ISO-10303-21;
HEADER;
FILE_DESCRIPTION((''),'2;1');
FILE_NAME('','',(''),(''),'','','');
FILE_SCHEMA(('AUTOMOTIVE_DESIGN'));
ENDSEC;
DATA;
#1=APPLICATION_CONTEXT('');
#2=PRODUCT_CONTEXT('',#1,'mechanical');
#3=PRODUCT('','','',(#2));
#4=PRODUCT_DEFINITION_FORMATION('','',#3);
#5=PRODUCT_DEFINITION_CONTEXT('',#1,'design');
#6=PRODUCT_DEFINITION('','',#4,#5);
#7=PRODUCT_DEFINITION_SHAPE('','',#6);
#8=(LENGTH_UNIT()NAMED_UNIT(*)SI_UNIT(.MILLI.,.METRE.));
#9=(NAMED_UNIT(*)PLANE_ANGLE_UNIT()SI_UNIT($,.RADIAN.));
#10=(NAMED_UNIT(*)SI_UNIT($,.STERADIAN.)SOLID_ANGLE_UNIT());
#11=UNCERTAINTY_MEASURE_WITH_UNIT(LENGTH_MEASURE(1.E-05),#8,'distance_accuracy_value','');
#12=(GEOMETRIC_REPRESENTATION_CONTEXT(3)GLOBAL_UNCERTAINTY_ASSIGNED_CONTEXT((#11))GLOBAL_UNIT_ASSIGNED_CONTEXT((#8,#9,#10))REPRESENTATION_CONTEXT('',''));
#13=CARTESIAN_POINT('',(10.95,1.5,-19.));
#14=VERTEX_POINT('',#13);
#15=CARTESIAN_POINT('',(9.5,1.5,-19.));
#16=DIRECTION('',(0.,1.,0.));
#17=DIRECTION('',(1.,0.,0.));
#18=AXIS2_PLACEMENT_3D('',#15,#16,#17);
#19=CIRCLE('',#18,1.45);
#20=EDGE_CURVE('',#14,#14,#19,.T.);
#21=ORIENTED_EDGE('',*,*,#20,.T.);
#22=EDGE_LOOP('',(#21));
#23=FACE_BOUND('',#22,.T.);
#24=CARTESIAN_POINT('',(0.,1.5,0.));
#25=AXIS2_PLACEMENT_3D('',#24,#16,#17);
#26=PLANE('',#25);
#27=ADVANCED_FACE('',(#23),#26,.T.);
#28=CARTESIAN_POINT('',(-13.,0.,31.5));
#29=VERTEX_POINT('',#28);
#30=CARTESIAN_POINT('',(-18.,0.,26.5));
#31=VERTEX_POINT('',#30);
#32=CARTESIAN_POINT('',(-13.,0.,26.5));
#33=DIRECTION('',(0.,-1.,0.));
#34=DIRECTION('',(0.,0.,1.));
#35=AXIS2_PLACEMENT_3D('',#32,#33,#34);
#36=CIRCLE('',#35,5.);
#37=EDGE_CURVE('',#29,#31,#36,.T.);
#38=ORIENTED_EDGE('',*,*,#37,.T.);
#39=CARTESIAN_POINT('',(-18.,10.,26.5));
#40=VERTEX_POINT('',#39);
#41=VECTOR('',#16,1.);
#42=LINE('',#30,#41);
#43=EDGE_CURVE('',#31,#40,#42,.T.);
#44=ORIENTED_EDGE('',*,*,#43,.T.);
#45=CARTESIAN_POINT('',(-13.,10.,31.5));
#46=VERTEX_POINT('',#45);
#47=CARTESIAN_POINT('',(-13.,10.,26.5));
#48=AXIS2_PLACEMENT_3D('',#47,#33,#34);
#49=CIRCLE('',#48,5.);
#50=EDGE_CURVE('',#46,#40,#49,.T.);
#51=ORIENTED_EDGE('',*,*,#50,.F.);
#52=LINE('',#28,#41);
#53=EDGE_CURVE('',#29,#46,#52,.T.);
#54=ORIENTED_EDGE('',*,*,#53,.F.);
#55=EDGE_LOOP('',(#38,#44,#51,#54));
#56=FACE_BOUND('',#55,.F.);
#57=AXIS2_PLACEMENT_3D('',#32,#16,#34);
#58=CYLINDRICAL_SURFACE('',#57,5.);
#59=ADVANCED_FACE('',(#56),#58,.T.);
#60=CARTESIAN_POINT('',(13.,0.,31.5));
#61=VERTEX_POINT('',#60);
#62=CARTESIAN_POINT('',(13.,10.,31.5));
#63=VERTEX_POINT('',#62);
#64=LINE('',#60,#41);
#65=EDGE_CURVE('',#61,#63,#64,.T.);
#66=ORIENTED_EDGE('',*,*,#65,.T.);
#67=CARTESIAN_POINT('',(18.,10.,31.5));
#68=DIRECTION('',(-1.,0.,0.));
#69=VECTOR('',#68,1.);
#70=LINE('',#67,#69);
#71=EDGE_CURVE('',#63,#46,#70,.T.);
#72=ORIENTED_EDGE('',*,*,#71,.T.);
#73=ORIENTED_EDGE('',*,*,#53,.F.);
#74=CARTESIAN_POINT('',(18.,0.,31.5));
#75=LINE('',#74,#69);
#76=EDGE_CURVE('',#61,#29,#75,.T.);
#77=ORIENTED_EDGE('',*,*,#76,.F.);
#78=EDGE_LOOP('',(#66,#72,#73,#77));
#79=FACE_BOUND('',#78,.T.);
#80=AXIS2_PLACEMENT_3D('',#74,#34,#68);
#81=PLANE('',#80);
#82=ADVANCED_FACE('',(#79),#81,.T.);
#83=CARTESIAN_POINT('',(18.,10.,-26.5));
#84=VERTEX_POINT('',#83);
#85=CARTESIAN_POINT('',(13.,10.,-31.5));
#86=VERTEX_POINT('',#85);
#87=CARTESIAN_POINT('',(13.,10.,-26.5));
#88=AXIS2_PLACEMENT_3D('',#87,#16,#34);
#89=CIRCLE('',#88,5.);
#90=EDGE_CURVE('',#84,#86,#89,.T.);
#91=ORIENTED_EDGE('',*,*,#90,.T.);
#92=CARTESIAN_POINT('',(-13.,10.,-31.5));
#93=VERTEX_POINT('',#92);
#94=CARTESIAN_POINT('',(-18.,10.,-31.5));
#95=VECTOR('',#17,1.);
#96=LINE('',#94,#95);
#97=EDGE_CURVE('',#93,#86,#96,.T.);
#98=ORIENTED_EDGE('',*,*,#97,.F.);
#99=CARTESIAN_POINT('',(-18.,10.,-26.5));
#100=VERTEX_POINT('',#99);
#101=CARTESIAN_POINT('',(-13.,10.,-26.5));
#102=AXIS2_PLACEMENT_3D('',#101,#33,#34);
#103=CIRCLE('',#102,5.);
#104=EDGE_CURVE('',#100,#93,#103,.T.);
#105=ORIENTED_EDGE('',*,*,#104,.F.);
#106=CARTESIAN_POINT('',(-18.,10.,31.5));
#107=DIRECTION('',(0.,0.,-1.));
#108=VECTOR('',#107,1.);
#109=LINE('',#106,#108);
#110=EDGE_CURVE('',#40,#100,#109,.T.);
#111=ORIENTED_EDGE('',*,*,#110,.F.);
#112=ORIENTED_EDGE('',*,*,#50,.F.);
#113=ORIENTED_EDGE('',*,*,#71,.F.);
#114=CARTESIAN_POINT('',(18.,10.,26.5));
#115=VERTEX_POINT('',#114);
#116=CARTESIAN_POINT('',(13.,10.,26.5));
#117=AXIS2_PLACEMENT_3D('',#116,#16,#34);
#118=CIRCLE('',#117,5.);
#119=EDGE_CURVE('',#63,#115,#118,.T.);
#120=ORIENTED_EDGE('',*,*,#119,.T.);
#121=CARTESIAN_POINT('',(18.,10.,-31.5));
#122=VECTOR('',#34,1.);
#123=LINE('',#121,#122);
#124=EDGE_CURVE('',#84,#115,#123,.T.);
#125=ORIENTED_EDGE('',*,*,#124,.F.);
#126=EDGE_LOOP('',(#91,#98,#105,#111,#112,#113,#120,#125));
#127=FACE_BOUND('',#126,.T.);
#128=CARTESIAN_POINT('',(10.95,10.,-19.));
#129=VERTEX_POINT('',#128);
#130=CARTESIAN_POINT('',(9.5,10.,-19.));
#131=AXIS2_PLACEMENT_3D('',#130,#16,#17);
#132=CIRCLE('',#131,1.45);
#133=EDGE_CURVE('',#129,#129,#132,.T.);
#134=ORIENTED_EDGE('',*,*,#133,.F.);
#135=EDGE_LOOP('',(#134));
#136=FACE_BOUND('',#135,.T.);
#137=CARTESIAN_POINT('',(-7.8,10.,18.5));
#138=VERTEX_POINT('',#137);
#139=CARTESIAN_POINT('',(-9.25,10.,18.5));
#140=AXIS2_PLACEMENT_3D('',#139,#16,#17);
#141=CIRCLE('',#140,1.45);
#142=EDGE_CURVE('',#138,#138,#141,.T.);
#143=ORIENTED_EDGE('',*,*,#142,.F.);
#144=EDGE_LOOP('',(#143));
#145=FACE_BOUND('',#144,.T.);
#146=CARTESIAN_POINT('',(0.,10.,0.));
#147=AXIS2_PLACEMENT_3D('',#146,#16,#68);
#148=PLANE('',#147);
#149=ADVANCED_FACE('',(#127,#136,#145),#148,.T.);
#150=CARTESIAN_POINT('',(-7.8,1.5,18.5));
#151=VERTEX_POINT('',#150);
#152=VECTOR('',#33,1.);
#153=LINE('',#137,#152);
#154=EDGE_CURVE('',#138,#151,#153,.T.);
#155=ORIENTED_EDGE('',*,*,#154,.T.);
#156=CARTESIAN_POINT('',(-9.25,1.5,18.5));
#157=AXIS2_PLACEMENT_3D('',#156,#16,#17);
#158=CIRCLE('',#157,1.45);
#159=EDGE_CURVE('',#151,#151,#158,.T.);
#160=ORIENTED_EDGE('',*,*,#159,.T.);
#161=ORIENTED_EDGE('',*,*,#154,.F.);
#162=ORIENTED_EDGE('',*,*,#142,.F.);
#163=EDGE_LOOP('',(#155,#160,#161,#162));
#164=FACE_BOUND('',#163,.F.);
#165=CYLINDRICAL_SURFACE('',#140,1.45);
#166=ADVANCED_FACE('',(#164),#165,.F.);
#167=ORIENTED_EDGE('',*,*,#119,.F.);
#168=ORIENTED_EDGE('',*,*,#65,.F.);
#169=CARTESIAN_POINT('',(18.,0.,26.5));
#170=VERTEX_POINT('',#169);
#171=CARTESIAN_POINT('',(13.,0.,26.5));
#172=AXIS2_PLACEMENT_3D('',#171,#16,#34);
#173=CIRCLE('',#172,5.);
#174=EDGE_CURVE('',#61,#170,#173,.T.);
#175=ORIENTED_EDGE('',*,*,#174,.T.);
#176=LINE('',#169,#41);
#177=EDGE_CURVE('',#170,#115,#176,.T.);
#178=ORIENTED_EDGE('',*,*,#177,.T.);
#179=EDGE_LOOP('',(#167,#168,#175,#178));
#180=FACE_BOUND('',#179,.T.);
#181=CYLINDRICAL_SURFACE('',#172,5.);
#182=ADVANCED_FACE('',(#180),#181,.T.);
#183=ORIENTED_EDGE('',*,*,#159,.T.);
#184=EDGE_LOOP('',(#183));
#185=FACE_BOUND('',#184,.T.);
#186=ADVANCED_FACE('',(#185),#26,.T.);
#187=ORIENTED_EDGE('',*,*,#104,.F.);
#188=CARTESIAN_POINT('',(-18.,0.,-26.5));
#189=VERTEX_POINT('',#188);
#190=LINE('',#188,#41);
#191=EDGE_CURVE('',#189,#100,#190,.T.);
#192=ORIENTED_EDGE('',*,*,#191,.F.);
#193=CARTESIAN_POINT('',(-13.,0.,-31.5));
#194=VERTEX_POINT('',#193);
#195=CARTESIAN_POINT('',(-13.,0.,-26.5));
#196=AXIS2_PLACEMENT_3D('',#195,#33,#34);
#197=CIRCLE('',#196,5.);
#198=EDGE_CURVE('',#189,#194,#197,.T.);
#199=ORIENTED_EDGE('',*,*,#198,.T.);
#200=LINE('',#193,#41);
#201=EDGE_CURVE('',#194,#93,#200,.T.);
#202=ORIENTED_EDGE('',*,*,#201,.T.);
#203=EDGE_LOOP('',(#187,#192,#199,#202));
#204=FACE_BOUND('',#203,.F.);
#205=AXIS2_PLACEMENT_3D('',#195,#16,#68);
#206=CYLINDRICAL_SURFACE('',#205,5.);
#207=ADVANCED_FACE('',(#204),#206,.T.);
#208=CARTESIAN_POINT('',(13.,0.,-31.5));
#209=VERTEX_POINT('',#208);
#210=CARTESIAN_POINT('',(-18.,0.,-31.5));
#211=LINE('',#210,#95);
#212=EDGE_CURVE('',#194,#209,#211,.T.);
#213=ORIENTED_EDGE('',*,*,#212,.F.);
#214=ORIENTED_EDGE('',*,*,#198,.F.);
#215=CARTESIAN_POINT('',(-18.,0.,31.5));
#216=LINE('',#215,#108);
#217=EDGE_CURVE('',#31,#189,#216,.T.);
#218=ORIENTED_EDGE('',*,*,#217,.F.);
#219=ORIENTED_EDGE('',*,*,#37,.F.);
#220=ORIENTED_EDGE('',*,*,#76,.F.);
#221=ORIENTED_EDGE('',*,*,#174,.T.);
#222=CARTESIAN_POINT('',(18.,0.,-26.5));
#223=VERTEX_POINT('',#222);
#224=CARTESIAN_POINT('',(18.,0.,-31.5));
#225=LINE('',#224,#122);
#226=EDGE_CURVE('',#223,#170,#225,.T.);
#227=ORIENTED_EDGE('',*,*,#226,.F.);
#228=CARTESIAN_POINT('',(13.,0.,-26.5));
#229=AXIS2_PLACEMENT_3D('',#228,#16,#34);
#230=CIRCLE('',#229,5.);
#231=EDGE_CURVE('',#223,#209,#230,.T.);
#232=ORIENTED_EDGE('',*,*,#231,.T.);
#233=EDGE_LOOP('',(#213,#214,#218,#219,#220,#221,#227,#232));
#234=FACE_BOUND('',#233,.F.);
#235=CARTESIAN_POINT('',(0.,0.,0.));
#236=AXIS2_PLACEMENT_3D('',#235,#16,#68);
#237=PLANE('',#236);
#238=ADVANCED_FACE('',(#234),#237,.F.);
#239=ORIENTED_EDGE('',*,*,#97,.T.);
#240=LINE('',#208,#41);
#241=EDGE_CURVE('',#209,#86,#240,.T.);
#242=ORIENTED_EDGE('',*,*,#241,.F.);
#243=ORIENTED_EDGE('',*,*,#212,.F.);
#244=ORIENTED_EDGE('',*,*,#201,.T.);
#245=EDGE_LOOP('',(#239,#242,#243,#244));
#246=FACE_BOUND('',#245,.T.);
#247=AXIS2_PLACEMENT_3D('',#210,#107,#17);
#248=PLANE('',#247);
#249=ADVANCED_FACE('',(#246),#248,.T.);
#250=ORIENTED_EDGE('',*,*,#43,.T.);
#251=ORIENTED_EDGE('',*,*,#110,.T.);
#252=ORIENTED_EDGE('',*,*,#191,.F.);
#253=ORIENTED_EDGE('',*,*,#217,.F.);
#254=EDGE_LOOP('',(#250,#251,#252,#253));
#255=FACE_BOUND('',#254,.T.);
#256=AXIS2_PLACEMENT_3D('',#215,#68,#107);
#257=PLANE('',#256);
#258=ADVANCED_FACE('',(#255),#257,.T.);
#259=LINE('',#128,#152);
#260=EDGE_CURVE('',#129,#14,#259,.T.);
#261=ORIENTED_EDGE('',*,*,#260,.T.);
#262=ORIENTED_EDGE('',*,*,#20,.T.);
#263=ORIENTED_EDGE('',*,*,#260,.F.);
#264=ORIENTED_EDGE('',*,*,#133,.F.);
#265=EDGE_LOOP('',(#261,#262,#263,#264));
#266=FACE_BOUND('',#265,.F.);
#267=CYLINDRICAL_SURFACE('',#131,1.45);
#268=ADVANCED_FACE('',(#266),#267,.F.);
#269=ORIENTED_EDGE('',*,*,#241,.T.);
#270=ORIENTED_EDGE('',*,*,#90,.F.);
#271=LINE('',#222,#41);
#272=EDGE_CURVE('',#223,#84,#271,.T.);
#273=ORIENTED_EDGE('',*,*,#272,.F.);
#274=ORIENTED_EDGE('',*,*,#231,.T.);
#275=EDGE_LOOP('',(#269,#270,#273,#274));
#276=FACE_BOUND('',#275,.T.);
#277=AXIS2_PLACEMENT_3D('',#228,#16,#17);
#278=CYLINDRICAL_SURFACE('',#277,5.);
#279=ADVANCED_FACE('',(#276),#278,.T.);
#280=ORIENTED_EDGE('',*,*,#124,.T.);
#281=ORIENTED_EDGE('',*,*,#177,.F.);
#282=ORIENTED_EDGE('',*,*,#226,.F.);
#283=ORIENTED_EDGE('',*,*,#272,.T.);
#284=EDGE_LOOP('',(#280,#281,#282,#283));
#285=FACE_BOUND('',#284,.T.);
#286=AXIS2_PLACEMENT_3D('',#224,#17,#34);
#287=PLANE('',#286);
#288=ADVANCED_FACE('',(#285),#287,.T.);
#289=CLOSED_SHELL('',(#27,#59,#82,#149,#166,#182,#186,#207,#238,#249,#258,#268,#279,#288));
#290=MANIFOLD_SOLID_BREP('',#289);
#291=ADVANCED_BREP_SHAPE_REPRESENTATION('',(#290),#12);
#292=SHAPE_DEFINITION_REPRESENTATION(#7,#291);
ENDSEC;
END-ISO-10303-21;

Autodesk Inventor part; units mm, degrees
ref_plane "YZ Plane" through (0, 0, 0) normal (1, 0, 0) x (0, 1, 0)
ref_plane "XZ Plane" through (0, 0, 0) normal (0, 1, 0) x (-1, 0, 0)
ref_plane "XY Plane" through (0, 0, 0) normal (0, 0, 1) x (1, 0, 0)
sketch "Esboço1" plane through (0, 0, 0) normal (0, 1, 0) x (-1, 0, 0)
  line L0 (13, 26.5) -> (-13, 26.5) construction
  line L1 (-13, 26.5) -> (-13, -26.5) construction
  line L2 (-13, -26.5) -> (13, -26.5) construction
  line L3 (13, -26.5) -> (13, 26.5) construction
  line L4 (-18, 31.5) -> (18, 31.5)
  line L5 (18, 31.5) -> (18, -31.5)
  line L6 (18, -31.5) -> (-18, -31.5)
  line L7 (-18, -31.5) -> (-18, 31.5)
  line L8 (-18, 31.5) -> (18, -31.5) construction
  line L9 (18, 31.5) -> (-18, -31.5) construction
  circle A0 centre (9.25, 18.5) radius 1.45
  circle A1 centre (-9.5, -19) radius 1.45
  point P0 (0, 0)
  dimension "d0" = 53
  dimension "d1" = 26
  dimension "d2" = 26.5
  dimension "d3" = 13
  dimension "d4" = 5
  dimension "d5" = 5
  dimension "d6" = 2.9
  dimension "d7" = 2.9
  dimension "d10" = 45
  dimension "d11" = 3.75
  dimension "d12" = 45.5
  dimension "d13" = 3.5
extrude "Extrusão1" add sketch "Esboço1" along normal blind 10 contours L4 L5 L6 L7 | A0 | A1
sketch "Esboço2" plane through (0, 10, 0) normal (0, 1, 0) x (1, 0, 0)
  circle A0 centre (-9.25, -18.5) radius 1.45 projected
  circle A1 centre (9.5, 19) radius 1.45 projected
  point P0 (0, 0)
extrude "Extrusão2" cut sketch "Esboço2" against normal blind 8.5
fillet "Arredondamento1" radius 5 4 edges at (18, 5, 31.5) (18, 5, -31.5) (-18, 5, -31.5) (-18, 5, 31.5)
equation "\"d2\" = 0.5 * d0"
equation "\"d3\" = 0.5 * d1"
equation "\"d7\" = d6"
properties part number "BASE BUCKBOOST"
